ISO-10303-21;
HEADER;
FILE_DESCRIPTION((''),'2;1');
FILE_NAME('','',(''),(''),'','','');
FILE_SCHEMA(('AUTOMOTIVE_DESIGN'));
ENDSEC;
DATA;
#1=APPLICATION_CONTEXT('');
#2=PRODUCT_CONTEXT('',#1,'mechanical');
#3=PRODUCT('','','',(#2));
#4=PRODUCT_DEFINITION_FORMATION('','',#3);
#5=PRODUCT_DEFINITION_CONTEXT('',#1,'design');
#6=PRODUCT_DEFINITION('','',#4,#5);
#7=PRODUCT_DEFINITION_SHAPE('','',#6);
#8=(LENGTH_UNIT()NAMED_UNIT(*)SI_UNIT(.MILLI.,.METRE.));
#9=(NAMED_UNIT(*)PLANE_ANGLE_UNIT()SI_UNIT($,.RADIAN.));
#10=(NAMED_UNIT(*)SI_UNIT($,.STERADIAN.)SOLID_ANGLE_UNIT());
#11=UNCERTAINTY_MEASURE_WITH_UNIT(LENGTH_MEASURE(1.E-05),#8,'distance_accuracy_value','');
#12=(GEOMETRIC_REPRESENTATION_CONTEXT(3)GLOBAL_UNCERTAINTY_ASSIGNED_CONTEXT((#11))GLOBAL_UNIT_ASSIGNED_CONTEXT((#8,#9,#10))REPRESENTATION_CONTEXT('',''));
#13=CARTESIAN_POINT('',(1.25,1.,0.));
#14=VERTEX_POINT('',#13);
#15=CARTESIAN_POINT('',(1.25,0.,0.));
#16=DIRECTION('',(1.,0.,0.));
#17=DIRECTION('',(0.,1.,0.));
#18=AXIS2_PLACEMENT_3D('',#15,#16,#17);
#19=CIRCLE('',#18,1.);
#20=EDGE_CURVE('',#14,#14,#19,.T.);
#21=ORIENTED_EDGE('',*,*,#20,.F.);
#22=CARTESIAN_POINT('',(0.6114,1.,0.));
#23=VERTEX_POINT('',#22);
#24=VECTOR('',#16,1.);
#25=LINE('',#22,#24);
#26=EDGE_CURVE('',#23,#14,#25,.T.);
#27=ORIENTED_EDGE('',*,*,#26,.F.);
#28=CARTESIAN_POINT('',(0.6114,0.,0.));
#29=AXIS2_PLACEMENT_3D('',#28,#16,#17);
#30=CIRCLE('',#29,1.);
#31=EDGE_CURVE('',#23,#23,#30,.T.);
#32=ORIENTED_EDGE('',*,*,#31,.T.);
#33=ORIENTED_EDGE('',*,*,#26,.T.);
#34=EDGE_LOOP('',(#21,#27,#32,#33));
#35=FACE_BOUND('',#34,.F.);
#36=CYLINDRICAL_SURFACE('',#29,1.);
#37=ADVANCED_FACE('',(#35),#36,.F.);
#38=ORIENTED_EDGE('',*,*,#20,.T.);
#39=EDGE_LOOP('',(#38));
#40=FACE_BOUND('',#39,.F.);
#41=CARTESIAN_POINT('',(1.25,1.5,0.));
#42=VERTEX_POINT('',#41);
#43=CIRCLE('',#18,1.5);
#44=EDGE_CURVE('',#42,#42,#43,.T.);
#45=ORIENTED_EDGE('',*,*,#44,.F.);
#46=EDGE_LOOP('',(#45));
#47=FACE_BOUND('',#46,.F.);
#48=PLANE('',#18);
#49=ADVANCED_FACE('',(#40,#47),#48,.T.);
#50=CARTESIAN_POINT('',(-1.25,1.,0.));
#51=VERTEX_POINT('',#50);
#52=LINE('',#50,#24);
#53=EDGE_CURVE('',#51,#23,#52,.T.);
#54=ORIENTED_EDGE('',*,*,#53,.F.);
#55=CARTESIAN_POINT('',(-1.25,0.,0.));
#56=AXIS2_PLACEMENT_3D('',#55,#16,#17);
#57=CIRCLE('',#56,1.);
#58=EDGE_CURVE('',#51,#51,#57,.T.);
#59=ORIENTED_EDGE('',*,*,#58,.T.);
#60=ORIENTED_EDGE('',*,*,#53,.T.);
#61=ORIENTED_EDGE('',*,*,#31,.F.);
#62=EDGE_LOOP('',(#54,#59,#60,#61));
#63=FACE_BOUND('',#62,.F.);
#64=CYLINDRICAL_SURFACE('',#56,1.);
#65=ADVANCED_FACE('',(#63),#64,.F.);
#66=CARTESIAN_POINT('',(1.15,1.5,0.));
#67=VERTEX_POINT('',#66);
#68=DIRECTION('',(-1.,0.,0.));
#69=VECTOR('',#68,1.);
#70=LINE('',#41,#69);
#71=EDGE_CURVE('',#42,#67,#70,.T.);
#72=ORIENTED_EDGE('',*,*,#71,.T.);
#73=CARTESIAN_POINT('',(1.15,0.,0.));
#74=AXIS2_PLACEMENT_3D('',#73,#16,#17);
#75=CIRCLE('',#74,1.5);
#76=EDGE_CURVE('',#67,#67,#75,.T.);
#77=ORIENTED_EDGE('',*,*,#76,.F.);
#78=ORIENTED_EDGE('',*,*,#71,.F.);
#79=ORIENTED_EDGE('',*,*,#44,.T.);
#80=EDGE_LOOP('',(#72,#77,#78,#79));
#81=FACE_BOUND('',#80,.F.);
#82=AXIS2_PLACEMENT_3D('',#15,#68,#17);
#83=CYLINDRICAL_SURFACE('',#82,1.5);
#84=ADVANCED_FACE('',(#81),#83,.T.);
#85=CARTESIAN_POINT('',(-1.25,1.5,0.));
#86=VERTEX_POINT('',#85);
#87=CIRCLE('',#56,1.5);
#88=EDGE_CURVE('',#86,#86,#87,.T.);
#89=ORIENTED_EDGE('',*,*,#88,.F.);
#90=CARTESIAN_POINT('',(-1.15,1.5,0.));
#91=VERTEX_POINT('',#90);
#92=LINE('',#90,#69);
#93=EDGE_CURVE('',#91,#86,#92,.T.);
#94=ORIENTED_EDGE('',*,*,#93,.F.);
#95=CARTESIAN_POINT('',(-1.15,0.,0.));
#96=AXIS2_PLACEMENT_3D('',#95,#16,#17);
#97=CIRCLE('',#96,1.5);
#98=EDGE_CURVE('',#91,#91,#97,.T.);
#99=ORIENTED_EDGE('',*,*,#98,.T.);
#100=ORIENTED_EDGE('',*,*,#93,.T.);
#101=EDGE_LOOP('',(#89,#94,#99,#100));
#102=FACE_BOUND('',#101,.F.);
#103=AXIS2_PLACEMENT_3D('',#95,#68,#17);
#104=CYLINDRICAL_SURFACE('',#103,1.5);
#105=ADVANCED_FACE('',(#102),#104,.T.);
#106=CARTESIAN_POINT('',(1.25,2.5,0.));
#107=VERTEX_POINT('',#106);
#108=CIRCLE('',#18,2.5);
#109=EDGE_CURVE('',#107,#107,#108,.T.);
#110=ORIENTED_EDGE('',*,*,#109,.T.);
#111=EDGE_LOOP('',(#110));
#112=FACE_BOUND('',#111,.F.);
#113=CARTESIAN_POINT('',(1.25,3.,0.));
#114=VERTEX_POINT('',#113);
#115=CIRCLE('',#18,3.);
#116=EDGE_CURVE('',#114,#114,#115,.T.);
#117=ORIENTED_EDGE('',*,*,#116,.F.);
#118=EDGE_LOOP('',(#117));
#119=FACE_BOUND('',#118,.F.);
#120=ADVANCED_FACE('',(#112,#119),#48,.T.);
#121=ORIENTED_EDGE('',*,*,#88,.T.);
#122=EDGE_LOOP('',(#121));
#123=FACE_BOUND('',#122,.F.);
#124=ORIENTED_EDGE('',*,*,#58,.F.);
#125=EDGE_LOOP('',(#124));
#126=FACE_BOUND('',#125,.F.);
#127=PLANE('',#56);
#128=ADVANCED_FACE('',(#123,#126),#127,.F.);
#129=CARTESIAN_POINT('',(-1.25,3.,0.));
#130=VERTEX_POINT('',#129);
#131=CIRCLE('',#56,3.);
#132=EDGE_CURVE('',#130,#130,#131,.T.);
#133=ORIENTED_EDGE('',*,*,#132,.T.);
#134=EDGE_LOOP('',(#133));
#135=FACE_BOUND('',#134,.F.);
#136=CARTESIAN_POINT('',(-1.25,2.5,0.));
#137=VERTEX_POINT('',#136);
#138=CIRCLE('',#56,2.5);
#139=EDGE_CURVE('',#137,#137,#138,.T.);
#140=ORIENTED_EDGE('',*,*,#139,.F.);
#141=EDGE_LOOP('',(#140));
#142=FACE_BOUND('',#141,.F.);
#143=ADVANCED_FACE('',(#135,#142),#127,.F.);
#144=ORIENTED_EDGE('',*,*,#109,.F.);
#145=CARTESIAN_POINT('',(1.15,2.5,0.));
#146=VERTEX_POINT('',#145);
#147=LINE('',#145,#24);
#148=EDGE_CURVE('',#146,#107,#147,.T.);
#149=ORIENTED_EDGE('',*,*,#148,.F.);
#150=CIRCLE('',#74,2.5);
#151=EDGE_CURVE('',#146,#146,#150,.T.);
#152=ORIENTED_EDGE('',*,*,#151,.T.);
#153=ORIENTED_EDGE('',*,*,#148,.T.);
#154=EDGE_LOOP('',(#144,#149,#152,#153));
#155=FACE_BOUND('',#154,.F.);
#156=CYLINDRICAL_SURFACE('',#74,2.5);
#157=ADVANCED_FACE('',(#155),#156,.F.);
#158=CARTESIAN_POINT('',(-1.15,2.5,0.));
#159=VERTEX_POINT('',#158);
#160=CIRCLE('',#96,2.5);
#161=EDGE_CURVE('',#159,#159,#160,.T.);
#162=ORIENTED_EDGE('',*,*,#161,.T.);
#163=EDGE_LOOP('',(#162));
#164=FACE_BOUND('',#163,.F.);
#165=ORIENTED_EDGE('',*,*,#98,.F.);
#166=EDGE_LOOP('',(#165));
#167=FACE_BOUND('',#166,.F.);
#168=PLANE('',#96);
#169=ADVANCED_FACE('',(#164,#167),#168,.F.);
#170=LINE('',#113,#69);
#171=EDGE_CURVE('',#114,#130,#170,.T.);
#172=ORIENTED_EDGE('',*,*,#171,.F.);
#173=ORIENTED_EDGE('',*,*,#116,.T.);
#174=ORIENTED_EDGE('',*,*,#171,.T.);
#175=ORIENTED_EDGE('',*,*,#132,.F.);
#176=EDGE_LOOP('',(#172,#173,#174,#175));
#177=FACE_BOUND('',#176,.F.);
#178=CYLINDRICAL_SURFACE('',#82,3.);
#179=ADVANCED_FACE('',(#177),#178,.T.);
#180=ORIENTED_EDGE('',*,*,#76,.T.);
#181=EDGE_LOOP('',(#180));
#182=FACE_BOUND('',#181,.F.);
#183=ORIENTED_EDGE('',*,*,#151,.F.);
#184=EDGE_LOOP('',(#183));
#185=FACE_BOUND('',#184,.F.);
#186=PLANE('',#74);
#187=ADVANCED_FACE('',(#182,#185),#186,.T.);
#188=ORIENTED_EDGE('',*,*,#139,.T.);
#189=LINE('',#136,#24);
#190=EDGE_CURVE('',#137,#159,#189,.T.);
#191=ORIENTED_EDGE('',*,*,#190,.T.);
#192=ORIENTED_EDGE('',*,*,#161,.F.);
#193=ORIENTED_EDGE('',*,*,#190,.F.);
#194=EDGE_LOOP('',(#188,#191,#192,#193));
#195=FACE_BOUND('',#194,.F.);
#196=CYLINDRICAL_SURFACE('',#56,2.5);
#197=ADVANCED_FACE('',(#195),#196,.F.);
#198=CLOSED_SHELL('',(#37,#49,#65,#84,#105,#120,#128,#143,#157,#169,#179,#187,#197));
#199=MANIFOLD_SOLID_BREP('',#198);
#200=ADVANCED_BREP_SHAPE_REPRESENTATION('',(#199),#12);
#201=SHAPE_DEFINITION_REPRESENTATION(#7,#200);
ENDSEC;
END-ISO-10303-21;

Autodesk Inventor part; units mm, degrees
ref_plane "YZ Plane" through (0, 0, 0) normal (1, 0, 0) x (0, 1, 0)
ref_plane "XZ Plane" through (0, 0, 0) normal (0, 1, 0) x (-1, 0, 0)
ref_plane "XY Plane" through (0, 0, 0) normal (0, 0, 1) x (1, 0, 0)
sketch "Sketch1" plane through (0, 0, 0) normal (0, 0, 1) x (1, 0, 0)
  line L0 (0.6114, 1) -> (1.25, 1)
  line L1 (1.25, 1) -> (1.25, 1.5)
  line L2 (1.25, 1.5) -> (1.15, 1.5)
  line L3 (1.15, 1.5) -> (1.15, 2.5)
  line L4 (1.15, 2.5) -> (1.25, 2.5)
  line L5 (1.25, 2.5) -> (1.25, 3)
  line L6 (1.25, 3) -> (-1.25, 3)
  line L7 (-1.25, 3) -> (-1.25, 2.5)
  line L8 (-1.25, 2.5) -> (-1.15, 2.5)
  line L9 (-1.15, 2.5) -> (-1.15, 1.5)
  line L10 (-1.15, 1.5) -> (-1.25, 1.5)
  line L11 (-1.25, 1.5) -> (-1.25, 1)
  line L12 (-1.25, 1) -> (0.6114, 1)
  line L13 (0, 0) -> (0, 3) construction
  line L14 (-1.75, 0) -> (1.75, 0) projected
  dimension "d0" = 0.1
  dimension "d1" = 1
  dimension "d2" = 0.5
  dimension "d3" = 2.5
  dimension "d4" = 3
revolve "Revolution1" add sketch "Sketch1" angle 360 about axis through (-10, 0, 0) along (1, 0, 0)
properties part number "2x6x2.5Bearing"
